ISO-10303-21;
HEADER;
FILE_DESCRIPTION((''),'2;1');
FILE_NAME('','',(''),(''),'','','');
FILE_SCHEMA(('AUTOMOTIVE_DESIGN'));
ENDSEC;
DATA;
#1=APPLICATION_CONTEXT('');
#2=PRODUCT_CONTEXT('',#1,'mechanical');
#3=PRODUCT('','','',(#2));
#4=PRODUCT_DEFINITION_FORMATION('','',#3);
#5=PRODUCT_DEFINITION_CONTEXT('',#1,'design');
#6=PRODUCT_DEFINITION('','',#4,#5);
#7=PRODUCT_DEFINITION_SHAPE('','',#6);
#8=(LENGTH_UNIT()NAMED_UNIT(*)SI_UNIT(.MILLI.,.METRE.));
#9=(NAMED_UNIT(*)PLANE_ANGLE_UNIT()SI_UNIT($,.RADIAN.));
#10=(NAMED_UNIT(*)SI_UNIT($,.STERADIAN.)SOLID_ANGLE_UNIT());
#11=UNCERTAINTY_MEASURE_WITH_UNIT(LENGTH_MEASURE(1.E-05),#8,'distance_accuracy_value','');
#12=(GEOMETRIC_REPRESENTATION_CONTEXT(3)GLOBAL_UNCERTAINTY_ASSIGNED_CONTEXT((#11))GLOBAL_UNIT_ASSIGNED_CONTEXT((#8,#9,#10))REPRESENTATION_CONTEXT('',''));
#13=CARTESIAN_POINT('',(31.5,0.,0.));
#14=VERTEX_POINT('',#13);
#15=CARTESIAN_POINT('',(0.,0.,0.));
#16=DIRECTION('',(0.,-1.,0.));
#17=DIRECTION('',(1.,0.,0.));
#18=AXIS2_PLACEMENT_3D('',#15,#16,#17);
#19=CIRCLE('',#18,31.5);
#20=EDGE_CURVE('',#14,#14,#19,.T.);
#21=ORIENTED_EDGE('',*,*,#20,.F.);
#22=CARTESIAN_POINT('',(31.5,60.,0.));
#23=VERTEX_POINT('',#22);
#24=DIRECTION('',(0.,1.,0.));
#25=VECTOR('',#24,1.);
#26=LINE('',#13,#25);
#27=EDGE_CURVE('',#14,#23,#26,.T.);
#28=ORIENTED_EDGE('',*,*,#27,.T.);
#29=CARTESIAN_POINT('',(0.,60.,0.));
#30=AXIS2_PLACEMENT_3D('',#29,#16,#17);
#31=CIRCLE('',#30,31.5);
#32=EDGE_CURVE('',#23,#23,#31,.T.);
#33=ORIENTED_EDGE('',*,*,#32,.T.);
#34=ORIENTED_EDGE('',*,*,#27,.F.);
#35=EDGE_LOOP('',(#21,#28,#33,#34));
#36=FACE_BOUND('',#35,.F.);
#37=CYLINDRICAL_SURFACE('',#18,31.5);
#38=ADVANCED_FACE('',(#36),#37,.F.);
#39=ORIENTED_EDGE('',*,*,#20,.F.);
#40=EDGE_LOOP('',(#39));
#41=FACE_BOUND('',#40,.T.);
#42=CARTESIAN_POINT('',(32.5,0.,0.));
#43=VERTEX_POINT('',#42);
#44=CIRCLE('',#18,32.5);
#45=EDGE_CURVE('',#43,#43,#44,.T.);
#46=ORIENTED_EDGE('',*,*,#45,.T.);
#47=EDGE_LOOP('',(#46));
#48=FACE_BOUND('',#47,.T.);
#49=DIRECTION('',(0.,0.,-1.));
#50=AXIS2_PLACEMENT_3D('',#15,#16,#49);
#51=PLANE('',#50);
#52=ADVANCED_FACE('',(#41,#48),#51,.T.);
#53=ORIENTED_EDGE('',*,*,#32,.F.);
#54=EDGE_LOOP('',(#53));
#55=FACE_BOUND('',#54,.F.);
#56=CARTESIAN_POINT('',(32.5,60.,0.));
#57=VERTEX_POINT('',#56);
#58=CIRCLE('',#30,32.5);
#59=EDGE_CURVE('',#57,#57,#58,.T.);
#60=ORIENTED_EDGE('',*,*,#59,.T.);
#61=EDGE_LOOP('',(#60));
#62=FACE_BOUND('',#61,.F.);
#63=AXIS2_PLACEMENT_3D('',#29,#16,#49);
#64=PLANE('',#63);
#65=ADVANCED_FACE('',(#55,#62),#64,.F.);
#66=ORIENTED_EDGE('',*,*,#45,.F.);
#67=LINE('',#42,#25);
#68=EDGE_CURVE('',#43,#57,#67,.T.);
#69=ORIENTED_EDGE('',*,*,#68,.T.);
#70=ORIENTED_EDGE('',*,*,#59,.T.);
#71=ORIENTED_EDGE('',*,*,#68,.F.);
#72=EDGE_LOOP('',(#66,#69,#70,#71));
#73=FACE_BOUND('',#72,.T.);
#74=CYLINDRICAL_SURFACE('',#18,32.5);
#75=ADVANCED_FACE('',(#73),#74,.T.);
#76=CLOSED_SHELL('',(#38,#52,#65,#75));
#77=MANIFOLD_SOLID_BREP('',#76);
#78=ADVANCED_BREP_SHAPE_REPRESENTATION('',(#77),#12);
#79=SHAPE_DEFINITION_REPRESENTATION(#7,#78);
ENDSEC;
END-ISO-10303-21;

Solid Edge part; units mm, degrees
sketch "Sketch1" plane through (0, 0, 0) normal (0, -1, 0) x (1, 0, 0)
  circle A0 centre (0, 0) radius 31.5
  circle A1 centre (0, 0) radius 32.5
  dimension "D1" = 63
  dimension "D2" = 65
extrude "Protrusion1" add sketch "Sketch1" against normal blind 60
